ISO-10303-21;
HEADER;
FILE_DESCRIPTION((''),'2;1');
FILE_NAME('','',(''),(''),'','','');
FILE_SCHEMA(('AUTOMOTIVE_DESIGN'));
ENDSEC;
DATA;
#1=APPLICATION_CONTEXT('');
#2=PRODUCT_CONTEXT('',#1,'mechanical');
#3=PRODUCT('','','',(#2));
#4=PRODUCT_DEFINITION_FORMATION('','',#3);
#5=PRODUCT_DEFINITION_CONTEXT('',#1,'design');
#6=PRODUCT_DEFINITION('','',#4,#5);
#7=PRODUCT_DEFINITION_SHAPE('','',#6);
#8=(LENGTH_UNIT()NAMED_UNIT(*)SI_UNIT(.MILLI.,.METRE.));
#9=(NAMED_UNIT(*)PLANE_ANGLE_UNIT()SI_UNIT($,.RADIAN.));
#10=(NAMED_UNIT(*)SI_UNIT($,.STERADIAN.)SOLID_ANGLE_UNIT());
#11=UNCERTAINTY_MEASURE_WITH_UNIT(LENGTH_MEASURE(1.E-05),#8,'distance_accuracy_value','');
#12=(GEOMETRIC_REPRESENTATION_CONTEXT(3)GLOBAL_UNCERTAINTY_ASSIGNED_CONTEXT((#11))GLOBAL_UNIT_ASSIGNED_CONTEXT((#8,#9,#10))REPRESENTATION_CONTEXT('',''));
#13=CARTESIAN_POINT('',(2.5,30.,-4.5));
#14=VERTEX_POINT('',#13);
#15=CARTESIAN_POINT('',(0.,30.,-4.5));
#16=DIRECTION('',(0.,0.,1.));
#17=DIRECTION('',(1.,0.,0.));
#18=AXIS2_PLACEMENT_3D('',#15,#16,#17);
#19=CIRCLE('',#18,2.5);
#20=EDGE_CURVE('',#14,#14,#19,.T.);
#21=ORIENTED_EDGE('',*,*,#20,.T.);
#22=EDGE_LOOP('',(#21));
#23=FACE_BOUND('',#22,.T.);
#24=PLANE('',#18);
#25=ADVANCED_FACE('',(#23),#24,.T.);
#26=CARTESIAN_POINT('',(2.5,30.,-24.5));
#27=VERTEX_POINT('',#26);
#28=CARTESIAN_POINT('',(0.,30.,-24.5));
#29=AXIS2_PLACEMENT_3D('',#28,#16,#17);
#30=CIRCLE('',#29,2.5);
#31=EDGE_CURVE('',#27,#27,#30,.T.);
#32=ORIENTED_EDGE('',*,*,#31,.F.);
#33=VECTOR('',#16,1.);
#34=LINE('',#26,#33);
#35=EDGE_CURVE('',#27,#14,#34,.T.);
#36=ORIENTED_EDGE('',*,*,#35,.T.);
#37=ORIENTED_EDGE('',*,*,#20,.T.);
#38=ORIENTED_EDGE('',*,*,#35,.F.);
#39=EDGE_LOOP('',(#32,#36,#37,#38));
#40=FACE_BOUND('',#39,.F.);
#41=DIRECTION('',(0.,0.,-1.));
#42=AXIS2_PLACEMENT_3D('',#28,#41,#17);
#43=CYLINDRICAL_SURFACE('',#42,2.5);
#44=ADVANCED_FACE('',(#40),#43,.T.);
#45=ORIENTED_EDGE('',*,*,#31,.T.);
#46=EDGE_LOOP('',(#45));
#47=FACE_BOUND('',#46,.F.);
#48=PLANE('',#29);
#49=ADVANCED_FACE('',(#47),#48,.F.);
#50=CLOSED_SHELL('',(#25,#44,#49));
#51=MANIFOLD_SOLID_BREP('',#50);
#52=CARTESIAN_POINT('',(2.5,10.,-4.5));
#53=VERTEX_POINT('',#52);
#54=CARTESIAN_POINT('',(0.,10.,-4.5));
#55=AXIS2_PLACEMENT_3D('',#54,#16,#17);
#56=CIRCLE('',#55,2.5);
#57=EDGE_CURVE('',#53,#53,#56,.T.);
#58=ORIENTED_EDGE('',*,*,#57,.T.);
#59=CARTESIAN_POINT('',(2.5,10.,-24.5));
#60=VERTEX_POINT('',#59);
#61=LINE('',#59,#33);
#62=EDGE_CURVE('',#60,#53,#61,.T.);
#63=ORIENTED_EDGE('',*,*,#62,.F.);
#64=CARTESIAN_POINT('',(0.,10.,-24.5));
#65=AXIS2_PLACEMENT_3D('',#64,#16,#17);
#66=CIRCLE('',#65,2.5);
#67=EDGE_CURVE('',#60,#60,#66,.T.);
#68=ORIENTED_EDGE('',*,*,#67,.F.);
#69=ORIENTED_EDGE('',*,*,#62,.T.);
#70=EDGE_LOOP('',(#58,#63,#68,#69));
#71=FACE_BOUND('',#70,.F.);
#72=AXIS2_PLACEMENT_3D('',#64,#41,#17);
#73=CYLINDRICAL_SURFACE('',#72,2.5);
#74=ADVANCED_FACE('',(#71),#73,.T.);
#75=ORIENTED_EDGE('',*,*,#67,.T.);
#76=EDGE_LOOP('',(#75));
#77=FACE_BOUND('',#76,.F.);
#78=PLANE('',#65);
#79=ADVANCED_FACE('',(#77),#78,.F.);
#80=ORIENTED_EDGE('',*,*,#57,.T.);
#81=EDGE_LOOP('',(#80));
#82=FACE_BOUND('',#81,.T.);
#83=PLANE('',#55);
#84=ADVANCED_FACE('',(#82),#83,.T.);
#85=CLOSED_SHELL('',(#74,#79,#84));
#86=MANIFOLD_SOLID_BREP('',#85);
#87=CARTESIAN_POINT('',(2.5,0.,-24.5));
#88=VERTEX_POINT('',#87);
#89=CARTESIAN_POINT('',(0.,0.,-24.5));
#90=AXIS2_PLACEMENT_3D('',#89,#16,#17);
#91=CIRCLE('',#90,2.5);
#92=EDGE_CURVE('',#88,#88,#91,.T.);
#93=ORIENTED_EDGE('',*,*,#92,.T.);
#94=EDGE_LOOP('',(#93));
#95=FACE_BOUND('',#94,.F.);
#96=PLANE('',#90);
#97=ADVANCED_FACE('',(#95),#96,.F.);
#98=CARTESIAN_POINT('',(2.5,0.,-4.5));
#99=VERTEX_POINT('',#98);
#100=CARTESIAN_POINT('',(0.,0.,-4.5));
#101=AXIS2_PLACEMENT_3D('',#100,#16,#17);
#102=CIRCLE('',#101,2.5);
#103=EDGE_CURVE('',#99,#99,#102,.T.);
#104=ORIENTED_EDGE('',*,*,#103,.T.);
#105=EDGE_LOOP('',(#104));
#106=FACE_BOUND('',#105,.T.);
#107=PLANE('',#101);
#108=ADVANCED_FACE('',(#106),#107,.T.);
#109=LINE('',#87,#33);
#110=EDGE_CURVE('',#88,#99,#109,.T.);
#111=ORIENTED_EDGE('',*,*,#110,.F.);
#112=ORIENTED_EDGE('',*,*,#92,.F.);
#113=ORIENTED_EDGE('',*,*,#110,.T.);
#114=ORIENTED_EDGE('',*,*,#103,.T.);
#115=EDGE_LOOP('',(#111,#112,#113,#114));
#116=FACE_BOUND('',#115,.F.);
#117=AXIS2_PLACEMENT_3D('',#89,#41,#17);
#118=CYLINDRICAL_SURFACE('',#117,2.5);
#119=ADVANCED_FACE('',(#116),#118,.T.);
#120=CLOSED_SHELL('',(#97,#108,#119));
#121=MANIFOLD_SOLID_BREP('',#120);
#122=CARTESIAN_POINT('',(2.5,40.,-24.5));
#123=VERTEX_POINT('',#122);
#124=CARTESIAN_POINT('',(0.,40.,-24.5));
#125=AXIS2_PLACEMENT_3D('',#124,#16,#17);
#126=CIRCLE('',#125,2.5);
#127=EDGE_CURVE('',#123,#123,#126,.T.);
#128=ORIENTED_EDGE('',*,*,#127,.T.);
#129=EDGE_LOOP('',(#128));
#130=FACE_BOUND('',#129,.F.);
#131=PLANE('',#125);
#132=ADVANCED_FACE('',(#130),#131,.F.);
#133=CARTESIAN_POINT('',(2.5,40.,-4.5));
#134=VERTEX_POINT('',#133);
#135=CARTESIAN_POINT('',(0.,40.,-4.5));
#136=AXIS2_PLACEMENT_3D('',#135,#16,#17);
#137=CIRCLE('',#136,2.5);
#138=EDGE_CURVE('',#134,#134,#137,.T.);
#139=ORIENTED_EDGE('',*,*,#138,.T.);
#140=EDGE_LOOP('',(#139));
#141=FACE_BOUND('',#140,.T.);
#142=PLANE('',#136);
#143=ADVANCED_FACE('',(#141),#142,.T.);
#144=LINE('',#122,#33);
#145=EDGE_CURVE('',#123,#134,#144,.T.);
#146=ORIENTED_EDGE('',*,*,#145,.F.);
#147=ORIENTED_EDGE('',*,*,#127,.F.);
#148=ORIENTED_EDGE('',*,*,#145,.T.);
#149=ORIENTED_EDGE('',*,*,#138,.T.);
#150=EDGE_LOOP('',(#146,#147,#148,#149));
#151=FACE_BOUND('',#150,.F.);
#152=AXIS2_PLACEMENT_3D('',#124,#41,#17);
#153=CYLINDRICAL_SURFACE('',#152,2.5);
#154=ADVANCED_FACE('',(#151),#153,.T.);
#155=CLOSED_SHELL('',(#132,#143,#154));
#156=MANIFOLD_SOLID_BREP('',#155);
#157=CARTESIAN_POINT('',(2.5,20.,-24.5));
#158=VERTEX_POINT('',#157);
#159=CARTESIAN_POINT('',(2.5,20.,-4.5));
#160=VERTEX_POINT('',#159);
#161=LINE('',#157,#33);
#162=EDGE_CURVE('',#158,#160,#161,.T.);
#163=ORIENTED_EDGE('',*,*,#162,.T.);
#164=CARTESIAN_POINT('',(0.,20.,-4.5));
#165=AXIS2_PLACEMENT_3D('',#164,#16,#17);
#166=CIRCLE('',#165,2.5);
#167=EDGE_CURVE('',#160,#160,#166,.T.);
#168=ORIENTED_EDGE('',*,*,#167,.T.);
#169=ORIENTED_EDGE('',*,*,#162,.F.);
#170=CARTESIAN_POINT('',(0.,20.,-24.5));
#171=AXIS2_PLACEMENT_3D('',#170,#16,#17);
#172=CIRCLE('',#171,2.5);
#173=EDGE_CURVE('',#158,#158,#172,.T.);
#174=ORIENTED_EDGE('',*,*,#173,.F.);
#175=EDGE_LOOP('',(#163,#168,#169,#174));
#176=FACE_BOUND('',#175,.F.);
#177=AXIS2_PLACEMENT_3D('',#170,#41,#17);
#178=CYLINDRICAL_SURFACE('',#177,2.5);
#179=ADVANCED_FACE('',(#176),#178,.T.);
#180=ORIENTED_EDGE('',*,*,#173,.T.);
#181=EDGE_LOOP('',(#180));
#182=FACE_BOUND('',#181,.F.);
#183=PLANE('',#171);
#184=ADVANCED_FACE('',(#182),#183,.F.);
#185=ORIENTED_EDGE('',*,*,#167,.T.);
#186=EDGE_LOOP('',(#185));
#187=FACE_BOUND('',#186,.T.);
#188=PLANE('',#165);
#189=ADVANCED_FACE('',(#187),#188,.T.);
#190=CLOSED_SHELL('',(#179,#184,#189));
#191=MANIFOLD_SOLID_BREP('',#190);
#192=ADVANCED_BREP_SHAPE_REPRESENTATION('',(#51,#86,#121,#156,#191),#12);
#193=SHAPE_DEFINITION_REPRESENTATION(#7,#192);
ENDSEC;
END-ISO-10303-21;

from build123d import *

# Parameters (mm, degrees)
CYLINDER006_R     = 2.5
CYLINDER006_DEPTH = 20
CYLINDER007_R     = 2.5
CYLINDER007_DEPTH = 20
CYLINDER008_R     = 2.5
CYLINDER008_DEPTH = 20
CYLINDER009_R     = 2.5
CYLINDER009_DEPTH = 20
CYLINDER005_R     = 2.5
CYLINDER005_DEPTH = 20


with BuildPart() as cylinder006:
    # cylinder006 → cylinder006 (new body)
    with BuildSketch(Plane(origin=(0, 10, -24.5), x_dir=(1, 0, 0), z_dir=(0, 0, 1))):
        Circle(CYLINDER006_R)
    extrude(amount=CYLINDER006_DEPTH)


with BuildPart() as cylinder007:
    # cylinder007 → cylinder007 (new body)
    with BuildSketch(Plane(origin=(0, 20, -24.5), x_dir=(1, 0, 0), z_dir=(0, 0, 1))):
        Circle(CYLINDER007_R)
    extrude(amount=CYLINDER007_DEPTH)


with BuildPart() as cylinder008:
    # cylinder008 → cylinder008 (new body)
    with BuildSketch(Plane(origin=(0, 30, -24.5), x_dir=(1, 0, 0), z_dir=(0, 0, 1))):
        Circle(CYLINDER008_R)
    extrude(amount=CYLINDER008_DEPTH)


with BuildPart() as cylinder009:
    # cylinder009 → cylinder009 (new body)
    with BuildSketch(Plane(origin=(0, 40, -24.5), x_dir=(1, 0, 0), z_dir=(0, 0, 1))):
        Circle(CYLINDER009_R)
    extrude(amount=CYLINDER009_DEPTH)


with BuildPart() as matrix_union:
    # cylinder005 → cylinder005 (new body)
    with BuildSketch(Plane.XY.offset(-24.5)):
        Circle(CYLINDER005_R)
    extrude(amount=CYLINDER005_DEPTH)

    # Matrix_Union: union cylinder006, cylinder007, cylinder008, cylinder009
    add(cylinder006.part)
    add(cylinder007.part)
    add(cylinder008.part)
    add(cylinder009.part)


solid = matrix_union.part
